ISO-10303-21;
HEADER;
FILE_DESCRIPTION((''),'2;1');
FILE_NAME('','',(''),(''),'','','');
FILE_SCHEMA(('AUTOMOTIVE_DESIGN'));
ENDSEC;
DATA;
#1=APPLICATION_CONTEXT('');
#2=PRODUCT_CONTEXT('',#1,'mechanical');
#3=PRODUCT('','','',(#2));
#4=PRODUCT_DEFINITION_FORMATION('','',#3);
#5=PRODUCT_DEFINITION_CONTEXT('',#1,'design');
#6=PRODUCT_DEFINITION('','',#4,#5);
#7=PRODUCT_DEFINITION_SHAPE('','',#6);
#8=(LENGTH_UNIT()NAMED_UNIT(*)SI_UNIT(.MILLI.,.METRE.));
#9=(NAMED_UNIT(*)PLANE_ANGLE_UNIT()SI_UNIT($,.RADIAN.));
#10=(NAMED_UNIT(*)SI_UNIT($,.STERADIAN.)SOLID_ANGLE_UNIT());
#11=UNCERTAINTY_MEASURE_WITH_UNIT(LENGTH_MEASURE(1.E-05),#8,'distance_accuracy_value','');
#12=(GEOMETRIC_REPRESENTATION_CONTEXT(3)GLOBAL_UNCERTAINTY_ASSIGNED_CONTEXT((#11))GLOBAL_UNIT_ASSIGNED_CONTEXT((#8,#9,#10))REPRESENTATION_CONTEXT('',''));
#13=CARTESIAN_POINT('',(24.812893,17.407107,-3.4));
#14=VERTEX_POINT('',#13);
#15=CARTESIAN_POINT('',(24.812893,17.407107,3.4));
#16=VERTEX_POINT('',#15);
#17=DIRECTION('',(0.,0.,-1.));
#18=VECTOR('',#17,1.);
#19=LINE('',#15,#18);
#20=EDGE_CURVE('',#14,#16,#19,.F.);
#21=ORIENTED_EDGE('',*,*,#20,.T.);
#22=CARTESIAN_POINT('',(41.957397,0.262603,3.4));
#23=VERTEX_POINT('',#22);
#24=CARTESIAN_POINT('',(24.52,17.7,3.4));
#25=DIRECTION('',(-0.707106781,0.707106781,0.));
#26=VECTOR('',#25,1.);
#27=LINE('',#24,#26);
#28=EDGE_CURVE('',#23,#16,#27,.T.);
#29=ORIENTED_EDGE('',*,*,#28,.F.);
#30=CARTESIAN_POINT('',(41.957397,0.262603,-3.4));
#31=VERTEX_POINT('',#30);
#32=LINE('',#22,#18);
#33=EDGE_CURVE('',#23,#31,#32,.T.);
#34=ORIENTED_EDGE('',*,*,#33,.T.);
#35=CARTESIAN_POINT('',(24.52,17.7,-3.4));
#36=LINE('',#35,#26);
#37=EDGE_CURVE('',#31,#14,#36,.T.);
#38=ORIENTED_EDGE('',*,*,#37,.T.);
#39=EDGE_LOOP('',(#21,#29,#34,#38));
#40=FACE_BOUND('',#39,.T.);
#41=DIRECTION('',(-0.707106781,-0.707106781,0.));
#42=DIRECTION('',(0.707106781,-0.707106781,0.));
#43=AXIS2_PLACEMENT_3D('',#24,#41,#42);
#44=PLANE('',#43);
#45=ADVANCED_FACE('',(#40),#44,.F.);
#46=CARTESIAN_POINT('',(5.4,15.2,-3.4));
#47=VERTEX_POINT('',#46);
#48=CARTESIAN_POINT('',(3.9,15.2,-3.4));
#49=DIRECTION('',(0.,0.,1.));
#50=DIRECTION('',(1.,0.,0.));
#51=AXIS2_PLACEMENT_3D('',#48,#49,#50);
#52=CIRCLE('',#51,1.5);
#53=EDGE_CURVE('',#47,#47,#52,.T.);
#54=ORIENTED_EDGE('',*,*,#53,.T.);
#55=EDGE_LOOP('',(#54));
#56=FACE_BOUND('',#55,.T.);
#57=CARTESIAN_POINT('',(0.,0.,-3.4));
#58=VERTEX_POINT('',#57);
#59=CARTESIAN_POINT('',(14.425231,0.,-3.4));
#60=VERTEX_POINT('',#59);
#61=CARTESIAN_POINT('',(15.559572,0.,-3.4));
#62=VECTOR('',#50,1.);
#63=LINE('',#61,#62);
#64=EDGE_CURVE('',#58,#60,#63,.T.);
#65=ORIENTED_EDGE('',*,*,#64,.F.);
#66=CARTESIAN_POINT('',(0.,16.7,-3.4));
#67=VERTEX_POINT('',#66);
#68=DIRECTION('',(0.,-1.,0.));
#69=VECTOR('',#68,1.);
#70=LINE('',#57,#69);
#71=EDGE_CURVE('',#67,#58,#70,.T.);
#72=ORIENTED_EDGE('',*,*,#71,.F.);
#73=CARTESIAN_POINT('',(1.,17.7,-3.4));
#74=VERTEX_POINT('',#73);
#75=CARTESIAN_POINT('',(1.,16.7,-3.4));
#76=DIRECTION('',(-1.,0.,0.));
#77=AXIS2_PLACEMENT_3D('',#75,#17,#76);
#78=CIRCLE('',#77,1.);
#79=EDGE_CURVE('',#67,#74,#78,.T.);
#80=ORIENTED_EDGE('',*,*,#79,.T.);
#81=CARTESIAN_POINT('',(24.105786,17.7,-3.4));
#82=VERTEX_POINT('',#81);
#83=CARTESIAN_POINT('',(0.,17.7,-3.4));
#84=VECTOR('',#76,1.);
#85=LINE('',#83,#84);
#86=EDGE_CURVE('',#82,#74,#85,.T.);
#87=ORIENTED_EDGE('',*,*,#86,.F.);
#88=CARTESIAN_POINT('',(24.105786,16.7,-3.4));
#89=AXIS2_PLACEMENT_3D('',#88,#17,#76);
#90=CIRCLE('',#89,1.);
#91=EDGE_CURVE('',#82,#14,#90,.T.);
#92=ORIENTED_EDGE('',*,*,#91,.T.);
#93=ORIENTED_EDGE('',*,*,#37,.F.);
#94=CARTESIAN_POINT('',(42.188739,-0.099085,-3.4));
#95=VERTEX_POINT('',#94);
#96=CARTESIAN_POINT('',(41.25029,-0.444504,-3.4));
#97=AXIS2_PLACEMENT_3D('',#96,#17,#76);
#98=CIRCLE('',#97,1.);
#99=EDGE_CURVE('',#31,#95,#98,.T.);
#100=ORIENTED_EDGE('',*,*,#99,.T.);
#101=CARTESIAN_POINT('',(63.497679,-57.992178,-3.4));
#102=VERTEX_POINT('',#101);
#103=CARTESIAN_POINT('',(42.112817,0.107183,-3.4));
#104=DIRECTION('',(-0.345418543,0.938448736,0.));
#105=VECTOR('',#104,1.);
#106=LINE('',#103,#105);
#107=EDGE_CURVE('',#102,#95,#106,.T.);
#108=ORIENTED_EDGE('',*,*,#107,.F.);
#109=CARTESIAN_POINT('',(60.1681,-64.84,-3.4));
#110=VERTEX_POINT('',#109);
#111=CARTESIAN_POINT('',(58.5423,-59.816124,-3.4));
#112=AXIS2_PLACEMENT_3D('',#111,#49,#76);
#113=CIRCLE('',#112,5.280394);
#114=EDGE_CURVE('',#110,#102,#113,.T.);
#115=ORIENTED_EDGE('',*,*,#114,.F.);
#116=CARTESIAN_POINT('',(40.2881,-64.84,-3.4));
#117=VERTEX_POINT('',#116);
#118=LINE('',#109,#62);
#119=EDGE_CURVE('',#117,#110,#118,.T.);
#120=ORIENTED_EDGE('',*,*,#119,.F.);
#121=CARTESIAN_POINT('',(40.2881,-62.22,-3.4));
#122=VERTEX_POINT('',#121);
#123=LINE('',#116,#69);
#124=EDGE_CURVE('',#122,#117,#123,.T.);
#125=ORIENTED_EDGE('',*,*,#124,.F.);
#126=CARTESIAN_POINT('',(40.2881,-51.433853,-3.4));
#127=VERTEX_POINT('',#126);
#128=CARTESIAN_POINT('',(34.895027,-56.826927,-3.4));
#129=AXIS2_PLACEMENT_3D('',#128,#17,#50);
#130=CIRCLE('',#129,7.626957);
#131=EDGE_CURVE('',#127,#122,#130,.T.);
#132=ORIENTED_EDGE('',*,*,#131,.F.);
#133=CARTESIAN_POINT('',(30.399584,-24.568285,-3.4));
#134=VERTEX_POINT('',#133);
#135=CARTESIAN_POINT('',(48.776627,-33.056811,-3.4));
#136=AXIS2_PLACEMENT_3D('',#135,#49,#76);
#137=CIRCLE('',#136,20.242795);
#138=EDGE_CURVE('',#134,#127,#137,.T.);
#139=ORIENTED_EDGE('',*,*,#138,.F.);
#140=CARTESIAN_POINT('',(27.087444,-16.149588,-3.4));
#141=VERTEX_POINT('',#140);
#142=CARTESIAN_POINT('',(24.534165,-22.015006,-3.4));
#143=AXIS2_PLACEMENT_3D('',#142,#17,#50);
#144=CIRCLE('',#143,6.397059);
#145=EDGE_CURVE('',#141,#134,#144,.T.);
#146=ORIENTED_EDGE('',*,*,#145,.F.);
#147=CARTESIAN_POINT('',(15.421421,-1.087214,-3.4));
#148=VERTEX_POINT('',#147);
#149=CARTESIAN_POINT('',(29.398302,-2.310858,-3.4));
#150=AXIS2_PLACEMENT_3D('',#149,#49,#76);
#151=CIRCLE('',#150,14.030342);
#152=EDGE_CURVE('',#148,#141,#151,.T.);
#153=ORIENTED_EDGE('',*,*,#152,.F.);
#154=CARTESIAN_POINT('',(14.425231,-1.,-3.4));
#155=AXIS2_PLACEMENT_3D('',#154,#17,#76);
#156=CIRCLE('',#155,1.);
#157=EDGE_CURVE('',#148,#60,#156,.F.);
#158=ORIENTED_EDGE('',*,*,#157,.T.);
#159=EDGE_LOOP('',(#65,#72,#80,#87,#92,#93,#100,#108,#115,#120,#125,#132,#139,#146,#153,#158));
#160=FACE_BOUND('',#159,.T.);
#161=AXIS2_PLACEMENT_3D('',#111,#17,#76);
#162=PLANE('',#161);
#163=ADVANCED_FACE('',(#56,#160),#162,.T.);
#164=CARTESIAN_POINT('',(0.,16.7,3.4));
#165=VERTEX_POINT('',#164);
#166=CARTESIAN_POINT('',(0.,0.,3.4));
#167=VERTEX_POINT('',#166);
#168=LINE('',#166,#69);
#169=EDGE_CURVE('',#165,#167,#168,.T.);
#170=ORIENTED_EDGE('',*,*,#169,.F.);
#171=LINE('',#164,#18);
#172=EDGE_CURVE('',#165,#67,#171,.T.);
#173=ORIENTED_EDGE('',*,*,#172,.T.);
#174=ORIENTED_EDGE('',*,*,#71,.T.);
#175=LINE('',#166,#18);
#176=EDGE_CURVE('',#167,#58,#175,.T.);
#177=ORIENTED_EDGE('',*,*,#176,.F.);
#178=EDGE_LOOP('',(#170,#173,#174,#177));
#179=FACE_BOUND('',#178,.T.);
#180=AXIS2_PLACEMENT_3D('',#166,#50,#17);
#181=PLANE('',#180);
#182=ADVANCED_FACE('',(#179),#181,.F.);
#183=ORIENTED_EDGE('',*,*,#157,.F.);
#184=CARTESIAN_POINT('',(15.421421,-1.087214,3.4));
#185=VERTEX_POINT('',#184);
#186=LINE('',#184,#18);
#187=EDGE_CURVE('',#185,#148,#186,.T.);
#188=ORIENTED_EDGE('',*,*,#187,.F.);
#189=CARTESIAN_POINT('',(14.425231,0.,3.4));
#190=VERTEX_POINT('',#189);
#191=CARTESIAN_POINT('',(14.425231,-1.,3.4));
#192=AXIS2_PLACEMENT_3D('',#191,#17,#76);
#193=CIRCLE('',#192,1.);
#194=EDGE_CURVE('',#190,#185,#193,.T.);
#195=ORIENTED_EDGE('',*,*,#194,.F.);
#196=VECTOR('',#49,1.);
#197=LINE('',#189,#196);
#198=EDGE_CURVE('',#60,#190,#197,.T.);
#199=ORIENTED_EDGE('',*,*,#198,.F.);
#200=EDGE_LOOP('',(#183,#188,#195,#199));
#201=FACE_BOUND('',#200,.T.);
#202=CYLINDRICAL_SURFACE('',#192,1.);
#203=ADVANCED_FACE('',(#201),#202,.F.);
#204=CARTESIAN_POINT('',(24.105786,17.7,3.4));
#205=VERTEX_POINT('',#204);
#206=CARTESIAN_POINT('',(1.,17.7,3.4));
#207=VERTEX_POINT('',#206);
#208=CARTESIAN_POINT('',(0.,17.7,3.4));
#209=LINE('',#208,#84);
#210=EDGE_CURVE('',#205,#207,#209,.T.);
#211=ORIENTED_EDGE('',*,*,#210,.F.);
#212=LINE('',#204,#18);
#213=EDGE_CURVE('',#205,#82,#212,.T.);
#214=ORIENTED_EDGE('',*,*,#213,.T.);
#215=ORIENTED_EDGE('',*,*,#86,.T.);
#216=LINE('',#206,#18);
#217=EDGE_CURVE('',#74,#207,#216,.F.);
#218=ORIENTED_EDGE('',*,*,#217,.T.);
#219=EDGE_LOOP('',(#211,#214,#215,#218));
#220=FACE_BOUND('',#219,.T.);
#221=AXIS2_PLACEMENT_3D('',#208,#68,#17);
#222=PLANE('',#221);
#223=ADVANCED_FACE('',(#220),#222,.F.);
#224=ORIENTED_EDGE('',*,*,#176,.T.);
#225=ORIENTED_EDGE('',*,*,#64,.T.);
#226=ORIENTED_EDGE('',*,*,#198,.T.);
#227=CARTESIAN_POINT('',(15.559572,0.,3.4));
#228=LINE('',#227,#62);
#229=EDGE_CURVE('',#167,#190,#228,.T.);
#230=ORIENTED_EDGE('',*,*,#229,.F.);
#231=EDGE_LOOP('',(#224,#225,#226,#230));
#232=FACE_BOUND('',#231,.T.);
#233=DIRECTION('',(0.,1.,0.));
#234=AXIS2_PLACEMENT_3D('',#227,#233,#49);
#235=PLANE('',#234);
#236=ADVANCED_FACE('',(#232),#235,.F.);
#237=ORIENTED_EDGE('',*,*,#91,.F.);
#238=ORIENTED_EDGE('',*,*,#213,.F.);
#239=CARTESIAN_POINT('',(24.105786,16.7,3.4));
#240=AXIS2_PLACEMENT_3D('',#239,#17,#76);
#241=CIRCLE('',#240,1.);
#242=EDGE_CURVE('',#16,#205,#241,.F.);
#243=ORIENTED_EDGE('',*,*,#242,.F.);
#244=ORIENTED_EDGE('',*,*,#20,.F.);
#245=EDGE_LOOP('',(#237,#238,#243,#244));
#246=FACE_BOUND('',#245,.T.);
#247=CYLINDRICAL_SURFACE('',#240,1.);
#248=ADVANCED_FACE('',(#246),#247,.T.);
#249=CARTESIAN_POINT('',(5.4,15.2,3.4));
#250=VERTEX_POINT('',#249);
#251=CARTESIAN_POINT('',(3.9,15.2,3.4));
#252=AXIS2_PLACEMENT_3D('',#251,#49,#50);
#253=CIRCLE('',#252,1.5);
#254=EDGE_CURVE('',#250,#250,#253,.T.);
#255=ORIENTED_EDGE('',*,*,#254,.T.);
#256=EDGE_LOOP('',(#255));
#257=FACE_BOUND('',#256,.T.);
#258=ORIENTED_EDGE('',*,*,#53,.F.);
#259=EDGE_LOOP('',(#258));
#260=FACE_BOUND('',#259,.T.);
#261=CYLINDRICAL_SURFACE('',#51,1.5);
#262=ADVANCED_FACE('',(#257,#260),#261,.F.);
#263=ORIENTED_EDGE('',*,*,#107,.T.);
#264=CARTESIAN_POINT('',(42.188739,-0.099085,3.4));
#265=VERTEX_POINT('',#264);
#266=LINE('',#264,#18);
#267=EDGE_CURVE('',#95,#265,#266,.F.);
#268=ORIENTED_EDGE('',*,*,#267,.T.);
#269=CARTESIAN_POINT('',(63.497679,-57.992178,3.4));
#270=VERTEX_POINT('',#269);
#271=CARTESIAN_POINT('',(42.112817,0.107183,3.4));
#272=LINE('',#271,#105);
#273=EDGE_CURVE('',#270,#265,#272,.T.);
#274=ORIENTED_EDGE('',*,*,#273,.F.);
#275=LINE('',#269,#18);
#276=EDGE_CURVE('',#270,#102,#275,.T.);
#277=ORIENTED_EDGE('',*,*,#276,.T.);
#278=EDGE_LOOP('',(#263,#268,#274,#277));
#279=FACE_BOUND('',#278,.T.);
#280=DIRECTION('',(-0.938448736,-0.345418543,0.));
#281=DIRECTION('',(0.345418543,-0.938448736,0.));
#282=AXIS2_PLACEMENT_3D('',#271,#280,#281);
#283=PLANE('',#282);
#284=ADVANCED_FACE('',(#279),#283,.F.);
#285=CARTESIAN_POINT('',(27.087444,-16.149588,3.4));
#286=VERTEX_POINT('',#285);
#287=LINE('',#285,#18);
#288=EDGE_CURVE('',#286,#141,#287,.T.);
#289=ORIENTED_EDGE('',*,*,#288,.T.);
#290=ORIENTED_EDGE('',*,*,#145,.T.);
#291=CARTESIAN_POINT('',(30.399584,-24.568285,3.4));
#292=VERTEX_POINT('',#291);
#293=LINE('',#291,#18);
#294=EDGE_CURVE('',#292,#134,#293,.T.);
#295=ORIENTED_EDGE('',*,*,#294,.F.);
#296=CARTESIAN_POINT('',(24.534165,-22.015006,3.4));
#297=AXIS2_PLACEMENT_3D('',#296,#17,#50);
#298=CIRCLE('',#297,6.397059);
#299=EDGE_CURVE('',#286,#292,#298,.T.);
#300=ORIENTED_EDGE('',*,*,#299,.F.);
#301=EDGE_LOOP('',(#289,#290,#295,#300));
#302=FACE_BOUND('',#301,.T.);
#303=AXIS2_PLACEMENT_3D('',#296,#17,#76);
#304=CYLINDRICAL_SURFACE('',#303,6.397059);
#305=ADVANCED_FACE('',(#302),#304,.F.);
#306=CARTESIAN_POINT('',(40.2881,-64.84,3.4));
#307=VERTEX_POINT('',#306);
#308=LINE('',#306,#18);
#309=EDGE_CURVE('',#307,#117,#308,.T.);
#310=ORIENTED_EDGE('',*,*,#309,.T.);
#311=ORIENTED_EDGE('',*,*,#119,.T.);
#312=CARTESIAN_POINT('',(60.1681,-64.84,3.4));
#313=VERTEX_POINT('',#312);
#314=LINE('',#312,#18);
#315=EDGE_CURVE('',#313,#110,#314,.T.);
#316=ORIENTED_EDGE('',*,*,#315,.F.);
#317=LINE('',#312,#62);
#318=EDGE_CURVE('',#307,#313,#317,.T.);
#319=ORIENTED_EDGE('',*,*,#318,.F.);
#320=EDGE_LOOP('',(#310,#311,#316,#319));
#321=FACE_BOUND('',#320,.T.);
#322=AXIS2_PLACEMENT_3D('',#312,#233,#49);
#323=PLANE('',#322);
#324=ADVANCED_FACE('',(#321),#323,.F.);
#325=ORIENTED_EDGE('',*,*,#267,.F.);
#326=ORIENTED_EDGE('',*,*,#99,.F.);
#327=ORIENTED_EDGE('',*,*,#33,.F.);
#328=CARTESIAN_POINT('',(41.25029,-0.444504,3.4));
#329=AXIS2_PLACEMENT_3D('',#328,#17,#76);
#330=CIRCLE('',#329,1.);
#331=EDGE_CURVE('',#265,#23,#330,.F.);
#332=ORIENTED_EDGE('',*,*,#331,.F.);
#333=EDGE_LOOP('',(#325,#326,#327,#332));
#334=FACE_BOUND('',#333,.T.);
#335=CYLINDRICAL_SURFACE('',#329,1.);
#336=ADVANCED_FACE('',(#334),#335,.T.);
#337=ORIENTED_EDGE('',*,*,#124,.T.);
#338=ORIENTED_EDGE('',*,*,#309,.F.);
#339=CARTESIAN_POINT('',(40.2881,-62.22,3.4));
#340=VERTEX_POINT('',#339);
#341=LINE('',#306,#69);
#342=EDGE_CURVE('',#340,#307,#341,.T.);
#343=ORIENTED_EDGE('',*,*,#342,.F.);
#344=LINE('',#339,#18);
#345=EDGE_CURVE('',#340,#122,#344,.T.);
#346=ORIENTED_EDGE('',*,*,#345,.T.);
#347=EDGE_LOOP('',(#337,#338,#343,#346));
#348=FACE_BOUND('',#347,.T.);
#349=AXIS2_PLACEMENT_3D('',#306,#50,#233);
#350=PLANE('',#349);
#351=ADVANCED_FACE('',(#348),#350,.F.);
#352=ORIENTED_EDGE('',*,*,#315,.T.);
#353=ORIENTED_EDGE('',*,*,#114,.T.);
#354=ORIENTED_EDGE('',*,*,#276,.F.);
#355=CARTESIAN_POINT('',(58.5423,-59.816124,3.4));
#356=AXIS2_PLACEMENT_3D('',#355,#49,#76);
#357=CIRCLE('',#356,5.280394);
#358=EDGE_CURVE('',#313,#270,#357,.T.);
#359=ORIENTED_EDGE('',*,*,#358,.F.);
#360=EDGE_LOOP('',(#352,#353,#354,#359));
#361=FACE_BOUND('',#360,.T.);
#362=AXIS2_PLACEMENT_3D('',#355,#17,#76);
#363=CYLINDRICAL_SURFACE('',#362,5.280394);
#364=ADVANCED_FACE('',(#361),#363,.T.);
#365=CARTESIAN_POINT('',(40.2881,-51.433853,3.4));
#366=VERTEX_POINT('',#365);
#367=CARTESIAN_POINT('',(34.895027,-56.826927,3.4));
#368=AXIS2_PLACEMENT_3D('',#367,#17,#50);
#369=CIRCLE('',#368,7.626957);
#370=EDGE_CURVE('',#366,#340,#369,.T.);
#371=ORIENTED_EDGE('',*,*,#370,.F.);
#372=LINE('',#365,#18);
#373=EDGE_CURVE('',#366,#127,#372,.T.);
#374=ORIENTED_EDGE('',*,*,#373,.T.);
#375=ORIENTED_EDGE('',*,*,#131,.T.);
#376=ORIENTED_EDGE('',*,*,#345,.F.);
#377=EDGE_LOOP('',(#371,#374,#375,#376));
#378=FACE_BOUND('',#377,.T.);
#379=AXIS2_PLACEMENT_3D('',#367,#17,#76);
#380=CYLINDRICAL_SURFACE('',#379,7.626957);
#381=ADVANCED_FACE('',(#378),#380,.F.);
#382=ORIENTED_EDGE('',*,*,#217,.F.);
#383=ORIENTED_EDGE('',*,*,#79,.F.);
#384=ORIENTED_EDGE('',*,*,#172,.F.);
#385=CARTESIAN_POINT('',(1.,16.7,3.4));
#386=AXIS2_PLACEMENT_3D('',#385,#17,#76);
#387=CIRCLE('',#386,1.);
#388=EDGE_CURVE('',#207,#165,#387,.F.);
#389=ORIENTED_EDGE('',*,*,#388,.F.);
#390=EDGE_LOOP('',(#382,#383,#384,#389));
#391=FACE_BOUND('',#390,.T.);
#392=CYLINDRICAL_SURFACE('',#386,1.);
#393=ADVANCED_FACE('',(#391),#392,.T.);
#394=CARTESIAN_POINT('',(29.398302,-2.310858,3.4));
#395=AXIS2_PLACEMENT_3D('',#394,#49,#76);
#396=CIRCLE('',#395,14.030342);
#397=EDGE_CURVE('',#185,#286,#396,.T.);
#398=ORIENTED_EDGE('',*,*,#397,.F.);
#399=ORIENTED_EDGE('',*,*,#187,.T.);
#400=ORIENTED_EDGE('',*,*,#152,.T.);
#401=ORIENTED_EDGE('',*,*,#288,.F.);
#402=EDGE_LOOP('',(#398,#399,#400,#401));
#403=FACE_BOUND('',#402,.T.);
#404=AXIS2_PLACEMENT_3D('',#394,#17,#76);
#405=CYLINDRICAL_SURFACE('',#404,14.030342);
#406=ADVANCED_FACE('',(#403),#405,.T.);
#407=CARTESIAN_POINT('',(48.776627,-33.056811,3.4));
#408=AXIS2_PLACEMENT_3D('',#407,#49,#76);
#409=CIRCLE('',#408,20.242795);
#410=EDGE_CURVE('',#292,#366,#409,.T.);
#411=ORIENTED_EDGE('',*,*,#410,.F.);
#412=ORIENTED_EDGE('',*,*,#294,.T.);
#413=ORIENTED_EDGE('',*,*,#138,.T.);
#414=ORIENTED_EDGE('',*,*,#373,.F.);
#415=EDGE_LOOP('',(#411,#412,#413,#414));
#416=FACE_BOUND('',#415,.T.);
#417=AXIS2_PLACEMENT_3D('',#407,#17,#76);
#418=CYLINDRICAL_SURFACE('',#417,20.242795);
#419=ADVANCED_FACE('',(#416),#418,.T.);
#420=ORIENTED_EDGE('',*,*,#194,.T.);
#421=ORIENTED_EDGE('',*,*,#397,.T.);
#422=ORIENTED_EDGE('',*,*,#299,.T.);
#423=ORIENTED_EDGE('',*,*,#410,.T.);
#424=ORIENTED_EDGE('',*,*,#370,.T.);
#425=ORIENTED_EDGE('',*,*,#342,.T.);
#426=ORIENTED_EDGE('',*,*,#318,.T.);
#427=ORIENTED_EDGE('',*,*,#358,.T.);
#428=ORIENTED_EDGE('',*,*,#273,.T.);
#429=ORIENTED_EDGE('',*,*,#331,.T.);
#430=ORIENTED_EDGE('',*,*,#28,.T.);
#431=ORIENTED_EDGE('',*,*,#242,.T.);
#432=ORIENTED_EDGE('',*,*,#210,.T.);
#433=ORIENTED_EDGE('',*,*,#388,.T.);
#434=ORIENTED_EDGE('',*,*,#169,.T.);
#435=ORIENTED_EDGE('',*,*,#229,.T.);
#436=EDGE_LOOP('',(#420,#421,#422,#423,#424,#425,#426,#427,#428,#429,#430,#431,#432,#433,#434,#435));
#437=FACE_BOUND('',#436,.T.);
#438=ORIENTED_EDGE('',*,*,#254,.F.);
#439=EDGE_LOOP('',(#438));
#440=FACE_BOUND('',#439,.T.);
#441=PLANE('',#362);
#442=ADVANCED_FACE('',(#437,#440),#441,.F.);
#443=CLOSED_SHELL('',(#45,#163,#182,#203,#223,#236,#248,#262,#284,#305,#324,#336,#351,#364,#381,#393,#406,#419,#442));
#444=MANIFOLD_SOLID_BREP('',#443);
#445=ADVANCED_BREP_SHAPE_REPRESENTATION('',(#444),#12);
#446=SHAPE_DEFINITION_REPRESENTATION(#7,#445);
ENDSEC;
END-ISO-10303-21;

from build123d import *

# Parameters (mm, degrees)
SALIENTE_EXTRUIR1_DEPTH = 3.4
REDONDEO1_R             = 1
CROQUIS2_R              = 1.5
CORTAR_EXTRUIR1_DEPTH   = 92.234871739


with BuildPart() as part:
    # Croquis1 → Saliente-Extruir1 (new, symmetric)
    with BuildSketch(Plane.XY):
        with BuildLine():
            Line((0, 0), (0, 17.7))
            Line((0, 17.7), (24.52, 17.7))
            Line((24.52, 17.7), (42.112816716, 0.107183284))
            Line((42.112816716, 0.107183284), (63.497678713, -57.992177964))
            ThreePointArc((63.497678713, -57.992177964), (63.291104637, -62.125108825), (60.168100271, -64.84))
            Line((60.168100271, -64.84), (40.288100271, -64.84))
            Line((40.288100271, -64.84), (40.288100271, -62.22))
            ThreePointArc((40.288100271, -62.22), (42.521984385, -56.826926676), (40.288100271, -51.433853352))
            ThreePointArc((40.288100271, -51.433853352), (29.779800656, -40.049047756), (30.39958398, -24.5682846))
            ThreePointArc((30.39958398, -24.5682846), (30.487083192, -19.672969425), (27.087443921, -16.149587582))
            ThreePointArc((27.087443921, -16.149587582), (17.978818799, -10.462294263), (15.55957188, 0))
            Line((15.55957188, 0), (0, 0))
        make_face()
    extrude(amount=SALIENTE_EXTRUIR1_DEPTH, both=True)

    # Redondeo1
    redondeo1_edges = [part.edges().sort_by_distance(p)[0] for p in [
        (0, 17.7, 0),
        (24.52, 17.7, 0),
        (42.112816716, 0.107183284, 0),
        (15.55957188, 0, 0),
    ]]
    fillet(redondeo1_edges, radius=REDONDEO1_R)

    # Croquis2 → Cortar-Extruir1 (cut, through all)
    with BuildSketch(Plane.XY.offset(3.4)):
        with Locations((3.9, 15.2)):
            Circle(CROQUIS2_R)
    extrude(amount=-CORTAR_EXTRUIR1_DEPTH, mode=Mode.SUBTRACT)


solid = part.part
